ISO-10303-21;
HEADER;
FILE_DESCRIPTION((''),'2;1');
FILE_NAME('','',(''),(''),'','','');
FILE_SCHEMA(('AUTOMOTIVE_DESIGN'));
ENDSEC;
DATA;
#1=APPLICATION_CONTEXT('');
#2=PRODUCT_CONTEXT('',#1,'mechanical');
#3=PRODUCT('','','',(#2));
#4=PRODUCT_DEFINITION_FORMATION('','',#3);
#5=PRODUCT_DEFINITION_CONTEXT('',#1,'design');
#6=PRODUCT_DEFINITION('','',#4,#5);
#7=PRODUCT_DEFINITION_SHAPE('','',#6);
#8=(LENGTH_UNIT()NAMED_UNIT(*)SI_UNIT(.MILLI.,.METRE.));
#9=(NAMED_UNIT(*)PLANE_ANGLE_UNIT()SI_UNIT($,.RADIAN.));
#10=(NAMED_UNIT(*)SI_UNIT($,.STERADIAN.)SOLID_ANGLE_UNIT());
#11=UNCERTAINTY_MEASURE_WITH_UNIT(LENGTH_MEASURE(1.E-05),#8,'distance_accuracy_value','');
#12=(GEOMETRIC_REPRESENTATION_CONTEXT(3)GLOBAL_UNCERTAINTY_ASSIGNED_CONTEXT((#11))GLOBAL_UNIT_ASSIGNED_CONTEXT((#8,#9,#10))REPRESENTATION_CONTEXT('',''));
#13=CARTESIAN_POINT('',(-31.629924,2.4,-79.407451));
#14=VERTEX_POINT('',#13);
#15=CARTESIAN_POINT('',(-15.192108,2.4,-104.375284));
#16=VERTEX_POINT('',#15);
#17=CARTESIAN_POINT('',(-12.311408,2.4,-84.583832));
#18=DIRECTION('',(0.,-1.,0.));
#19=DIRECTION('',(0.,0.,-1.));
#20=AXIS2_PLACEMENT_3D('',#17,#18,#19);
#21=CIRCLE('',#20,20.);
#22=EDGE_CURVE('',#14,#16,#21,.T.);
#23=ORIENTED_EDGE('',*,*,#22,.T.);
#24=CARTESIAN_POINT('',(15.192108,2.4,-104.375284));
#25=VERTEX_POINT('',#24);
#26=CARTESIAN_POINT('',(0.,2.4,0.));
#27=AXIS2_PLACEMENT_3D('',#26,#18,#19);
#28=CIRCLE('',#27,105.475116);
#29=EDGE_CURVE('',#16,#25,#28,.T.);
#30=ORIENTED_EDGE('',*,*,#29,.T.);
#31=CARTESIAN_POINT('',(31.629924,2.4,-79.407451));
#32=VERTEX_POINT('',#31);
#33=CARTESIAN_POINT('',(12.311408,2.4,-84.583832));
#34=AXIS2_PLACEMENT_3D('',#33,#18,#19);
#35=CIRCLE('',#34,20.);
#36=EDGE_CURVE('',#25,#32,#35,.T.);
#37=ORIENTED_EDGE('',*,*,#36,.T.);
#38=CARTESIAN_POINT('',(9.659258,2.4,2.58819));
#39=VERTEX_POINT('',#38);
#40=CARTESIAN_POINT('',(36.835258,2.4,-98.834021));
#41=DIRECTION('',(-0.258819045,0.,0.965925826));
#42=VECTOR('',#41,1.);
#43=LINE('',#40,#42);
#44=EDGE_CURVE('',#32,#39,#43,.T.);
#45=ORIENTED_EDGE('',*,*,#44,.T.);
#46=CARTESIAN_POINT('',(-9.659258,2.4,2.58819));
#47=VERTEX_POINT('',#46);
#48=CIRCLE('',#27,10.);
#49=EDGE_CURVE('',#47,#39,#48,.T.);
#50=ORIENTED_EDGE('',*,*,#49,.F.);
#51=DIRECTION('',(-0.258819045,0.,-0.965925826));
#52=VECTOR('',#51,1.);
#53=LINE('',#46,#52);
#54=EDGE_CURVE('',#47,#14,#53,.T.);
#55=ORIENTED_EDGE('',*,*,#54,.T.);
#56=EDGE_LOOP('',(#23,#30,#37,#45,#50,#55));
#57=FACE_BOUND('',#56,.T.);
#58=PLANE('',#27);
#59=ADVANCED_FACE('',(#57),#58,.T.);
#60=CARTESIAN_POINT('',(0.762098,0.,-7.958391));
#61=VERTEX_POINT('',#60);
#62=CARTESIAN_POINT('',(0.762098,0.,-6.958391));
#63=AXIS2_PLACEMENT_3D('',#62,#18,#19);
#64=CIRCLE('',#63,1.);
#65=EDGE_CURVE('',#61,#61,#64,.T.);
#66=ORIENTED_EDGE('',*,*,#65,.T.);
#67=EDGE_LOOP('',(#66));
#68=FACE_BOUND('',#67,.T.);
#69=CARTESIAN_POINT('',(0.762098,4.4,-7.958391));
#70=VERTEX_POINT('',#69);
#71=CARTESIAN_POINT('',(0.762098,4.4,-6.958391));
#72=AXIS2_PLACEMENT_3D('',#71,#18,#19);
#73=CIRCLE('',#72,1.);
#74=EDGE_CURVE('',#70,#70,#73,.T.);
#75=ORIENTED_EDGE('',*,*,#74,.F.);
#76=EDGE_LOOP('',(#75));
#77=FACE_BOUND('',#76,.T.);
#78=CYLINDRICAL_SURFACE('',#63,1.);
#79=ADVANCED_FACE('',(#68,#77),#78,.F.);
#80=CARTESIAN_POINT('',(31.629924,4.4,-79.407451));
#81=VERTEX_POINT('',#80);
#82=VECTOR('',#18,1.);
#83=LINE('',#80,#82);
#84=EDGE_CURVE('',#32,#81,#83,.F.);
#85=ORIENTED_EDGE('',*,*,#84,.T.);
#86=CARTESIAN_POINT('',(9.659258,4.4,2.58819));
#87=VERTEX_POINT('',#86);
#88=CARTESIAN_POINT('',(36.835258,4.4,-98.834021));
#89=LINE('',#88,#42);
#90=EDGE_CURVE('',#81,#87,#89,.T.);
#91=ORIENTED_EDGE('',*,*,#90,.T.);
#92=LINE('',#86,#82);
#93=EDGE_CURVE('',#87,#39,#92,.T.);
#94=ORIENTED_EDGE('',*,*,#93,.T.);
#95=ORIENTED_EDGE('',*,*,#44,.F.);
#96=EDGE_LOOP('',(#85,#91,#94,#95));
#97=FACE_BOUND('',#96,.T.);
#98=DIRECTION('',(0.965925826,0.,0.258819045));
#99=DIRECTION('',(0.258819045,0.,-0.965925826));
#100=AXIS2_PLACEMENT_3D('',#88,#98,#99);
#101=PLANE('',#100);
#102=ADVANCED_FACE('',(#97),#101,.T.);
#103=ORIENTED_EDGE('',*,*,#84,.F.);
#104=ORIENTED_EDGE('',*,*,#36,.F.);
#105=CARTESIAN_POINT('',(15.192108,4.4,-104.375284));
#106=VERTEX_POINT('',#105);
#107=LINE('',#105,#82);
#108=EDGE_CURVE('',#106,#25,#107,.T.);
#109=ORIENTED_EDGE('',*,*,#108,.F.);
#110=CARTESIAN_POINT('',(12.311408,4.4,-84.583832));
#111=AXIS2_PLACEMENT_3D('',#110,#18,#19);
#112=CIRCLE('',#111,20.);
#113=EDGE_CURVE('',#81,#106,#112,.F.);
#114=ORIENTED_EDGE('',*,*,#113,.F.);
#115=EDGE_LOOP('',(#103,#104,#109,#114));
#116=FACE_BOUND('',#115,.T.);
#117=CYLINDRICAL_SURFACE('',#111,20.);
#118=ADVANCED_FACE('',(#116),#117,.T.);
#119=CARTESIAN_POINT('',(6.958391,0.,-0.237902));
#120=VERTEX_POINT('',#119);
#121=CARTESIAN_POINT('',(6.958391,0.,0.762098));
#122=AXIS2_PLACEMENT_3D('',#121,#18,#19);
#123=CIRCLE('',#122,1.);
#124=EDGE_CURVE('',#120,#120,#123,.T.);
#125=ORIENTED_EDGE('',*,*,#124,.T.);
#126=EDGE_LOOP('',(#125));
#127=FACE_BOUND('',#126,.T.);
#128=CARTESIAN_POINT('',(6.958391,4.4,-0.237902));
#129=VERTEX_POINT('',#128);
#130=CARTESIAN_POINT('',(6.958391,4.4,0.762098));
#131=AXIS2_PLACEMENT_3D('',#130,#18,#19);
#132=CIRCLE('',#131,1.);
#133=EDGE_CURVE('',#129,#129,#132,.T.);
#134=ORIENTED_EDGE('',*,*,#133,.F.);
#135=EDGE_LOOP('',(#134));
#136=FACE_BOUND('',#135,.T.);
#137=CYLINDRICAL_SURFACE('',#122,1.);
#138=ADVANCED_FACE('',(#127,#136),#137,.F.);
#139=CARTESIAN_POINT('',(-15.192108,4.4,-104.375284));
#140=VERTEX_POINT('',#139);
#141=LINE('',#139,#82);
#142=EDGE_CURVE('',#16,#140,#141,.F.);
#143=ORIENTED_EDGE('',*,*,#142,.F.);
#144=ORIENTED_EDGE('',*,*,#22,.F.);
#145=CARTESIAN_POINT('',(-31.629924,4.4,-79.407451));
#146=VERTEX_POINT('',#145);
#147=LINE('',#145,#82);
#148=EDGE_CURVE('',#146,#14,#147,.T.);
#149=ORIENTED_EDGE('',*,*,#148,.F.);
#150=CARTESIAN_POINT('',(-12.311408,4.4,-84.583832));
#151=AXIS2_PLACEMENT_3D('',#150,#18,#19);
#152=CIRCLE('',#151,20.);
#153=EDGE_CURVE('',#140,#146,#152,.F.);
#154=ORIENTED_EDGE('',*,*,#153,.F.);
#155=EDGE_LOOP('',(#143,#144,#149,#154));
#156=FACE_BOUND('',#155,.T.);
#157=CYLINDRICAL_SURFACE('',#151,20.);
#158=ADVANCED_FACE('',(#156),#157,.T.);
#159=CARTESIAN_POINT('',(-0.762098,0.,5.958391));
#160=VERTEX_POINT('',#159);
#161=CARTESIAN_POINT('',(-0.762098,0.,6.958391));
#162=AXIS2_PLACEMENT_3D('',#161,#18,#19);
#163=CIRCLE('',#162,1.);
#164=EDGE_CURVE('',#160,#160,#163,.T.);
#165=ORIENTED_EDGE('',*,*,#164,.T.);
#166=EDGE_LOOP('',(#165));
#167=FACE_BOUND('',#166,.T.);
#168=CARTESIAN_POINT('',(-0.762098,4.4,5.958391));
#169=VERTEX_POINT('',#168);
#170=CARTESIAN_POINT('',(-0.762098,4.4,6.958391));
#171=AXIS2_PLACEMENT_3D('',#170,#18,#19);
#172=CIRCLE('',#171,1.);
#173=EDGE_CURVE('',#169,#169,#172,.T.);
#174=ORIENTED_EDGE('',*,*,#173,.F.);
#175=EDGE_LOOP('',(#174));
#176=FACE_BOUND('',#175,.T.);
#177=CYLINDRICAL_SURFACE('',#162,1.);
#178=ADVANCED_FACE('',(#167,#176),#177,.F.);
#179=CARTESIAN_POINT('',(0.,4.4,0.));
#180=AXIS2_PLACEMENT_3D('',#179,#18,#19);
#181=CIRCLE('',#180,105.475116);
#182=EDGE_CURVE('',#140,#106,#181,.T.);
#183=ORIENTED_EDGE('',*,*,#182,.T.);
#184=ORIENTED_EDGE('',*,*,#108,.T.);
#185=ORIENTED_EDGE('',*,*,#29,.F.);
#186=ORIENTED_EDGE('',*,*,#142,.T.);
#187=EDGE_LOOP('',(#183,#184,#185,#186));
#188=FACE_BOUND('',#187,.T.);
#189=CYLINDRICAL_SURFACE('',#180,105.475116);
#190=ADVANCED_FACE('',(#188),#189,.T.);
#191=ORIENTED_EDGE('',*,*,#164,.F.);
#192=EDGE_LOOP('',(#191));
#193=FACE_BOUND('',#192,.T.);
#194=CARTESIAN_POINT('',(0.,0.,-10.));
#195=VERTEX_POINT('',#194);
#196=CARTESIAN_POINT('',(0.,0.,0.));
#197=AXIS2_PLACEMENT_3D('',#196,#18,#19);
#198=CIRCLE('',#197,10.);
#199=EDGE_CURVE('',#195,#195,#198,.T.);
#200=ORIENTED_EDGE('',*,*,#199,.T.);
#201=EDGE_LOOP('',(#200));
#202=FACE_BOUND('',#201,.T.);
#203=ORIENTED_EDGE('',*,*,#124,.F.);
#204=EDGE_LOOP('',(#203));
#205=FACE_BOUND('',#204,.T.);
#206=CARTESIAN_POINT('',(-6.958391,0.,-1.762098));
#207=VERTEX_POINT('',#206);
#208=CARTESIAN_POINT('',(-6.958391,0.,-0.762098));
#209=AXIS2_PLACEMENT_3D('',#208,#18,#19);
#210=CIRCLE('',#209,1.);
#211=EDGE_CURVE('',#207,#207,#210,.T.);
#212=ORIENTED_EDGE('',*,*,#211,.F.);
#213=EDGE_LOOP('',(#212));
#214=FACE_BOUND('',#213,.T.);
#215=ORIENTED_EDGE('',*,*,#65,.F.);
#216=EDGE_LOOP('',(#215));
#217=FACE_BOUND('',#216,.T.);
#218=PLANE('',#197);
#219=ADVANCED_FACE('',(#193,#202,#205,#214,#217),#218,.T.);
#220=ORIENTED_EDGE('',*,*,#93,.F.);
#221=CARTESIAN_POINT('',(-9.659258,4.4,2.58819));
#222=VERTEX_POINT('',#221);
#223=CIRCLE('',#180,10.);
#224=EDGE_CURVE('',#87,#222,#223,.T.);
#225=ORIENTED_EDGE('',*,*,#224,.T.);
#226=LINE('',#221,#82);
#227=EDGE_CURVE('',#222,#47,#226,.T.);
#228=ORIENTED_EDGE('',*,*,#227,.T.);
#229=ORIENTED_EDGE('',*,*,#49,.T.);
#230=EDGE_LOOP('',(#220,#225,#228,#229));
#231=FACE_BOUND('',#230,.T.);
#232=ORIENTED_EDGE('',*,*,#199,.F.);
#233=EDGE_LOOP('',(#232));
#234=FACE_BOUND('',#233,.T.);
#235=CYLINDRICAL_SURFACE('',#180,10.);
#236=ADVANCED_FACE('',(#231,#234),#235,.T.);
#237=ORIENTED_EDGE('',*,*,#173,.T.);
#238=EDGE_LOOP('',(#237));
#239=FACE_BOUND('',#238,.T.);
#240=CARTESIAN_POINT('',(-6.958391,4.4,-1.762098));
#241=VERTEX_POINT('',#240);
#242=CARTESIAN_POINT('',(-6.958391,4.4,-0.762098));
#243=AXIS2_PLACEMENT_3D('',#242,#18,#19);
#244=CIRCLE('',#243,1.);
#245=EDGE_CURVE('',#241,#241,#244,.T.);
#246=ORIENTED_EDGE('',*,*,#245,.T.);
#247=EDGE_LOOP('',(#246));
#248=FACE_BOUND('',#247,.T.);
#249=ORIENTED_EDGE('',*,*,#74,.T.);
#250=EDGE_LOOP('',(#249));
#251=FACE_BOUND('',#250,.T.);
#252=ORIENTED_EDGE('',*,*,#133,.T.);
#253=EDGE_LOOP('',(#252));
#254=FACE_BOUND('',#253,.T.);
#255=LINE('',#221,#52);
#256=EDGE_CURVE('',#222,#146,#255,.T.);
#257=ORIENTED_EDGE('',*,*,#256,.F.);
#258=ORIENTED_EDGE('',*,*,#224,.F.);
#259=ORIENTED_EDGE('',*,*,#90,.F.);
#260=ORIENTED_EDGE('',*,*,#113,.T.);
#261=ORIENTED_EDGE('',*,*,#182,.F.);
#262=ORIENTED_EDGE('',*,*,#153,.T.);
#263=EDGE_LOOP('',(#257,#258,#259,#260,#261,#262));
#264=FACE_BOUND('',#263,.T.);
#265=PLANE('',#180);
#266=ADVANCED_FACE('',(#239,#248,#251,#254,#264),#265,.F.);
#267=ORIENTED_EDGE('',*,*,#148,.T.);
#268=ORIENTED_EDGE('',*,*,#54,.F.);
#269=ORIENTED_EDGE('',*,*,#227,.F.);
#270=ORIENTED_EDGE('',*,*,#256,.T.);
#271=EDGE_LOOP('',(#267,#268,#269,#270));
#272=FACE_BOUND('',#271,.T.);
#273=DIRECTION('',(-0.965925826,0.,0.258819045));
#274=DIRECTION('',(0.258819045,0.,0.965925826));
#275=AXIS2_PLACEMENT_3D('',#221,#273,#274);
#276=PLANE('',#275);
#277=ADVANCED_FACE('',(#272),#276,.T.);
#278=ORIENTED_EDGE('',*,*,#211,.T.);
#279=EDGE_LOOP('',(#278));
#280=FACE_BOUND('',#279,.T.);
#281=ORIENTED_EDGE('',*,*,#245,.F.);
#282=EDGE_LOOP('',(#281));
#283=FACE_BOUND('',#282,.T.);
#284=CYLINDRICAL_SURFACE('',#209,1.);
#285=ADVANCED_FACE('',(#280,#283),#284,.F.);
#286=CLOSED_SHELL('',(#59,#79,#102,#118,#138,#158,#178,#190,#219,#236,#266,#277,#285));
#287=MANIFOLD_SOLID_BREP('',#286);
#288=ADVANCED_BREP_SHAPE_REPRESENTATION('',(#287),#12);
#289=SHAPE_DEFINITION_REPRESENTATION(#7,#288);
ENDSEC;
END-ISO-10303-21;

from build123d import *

# Parameters (mm, degrees)
EXTRUDE_1_DEPTH       = 2
EXTRUDE_START         = 2.4
SKETCH_2_R            = 10
EXTRUDE_2_DEPTH       = 2.4
HOLE_WIZARD_2_0_2_1_D = 2
FILLET_1_R            = 20


with BuildPart() as part:
    # 草图1 → 凸台-拉伸1 (new body)
    with BuildSketch(Plane.XZ.offset(-2.4)):
        with BuildLine():
            Line((36.835257999, -98.834021309), (9.659258263, 2.588190451))
            ThreePointArc((9.659258263, 2.588190451), (0, 10), (-9.659258263, 2.588190451))
            Line((-9.659258263, 2.588190451), (-36.835257999, -98.834021309))
            ThreePointArc((-36.835257999, -98.834021309), (0, -105.475115549), (36.835257999, -98.834021309))
        make_face()
    extrude(amount=-EXTRUDE_1_DEPTH)

    # 草图2 → 凸台-拉伸2 (add)
    with BuildSketch(Plane.XZ.offset(-2.4).offset(EXTRUDE_START)):
        with Locations(Location((0, 0, 0), (0, 0, 270))):
            Circle(SKETCH_2_R)
    extrude(amount=-EXTRUDE_2_DEPTH)

    # Ø2.0 (2) 直径孔1 (through all)
    with Locations(Plane(origin=(0, 0, 0), x_dir=(-1, 0, 0), z_dir=(0, -1, 0))):
        with Locations((-6.958391143, -0.762097571), (-0.762097571, 6.958391143), (0.762097571, -6.958391143), (6.958391143, 0.762097571)):
            Hole(HOLE_WIZARD_2_0_2_1_D / 2)

    # 圆角1
    fillet_1_edges = [part.edges().sort_by_distance(p)[0] for p in [
        (-36.835257999, 3.4, -98.834021309),
        (36.835257999, 3.4, -98.834021309),
    ]]
    fillet(fillet_1_edges, radius=FILLET_1_R)


solid = part.part
